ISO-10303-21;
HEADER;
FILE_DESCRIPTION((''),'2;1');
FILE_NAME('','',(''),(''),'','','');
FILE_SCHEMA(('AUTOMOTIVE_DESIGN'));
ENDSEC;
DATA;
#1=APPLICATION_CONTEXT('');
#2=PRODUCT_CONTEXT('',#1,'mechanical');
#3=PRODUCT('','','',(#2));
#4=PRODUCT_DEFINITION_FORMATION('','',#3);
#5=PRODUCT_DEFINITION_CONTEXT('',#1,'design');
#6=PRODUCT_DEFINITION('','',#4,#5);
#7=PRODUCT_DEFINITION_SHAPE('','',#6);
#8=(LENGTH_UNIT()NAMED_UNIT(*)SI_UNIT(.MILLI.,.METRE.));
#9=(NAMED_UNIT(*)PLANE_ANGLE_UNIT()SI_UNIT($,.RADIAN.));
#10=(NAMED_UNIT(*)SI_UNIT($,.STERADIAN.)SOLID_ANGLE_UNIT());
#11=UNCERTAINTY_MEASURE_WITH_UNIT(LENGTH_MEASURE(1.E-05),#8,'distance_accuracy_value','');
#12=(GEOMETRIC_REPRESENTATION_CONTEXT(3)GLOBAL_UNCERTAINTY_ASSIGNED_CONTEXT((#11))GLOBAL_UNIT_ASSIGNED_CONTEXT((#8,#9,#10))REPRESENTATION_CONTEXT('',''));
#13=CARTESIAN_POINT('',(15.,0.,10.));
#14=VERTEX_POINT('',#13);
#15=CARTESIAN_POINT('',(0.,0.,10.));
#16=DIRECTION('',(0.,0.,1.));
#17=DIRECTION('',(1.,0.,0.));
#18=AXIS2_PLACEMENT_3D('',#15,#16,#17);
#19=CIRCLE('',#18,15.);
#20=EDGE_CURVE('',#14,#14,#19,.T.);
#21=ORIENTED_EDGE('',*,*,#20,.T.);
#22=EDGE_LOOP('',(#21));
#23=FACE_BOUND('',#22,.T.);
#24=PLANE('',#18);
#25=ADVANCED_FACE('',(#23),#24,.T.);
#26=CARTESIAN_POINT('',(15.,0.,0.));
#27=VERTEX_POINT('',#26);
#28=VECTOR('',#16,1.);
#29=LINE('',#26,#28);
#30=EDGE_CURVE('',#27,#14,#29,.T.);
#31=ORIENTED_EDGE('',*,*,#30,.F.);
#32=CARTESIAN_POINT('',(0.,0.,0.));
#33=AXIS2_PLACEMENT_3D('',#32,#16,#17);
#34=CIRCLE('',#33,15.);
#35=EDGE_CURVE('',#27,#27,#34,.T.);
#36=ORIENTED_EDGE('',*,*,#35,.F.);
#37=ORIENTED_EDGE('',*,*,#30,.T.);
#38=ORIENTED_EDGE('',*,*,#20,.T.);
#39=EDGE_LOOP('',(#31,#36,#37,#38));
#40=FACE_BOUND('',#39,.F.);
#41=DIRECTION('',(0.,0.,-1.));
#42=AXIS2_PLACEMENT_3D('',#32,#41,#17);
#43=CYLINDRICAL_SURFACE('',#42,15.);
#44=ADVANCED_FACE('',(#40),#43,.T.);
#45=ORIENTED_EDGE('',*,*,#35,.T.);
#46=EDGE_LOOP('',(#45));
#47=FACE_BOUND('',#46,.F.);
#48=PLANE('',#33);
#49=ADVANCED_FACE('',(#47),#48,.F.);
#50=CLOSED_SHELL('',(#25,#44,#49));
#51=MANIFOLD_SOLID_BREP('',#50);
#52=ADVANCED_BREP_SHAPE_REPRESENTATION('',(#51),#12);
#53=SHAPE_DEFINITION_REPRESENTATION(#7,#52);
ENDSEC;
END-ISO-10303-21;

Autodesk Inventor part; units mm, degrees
ref_plane "YZ Plane" through (0, 0, 0) normal (1, 0, 0) x (0, 1, 0)
ref_plane "XZ Plane" through (0, 0, 0) normal (0, 1, 0) x (-1, 0, 0)
ref_plane "XY Plane" through (0, 0, 0) normal (0, 0, 1) x (1, 0, 0)
sketch "Sketch1" plane through (0, 0, 0) normal (0, 0, 1) x (1, 0, 0)
  circle A0 centre (0, 0) radius 44.45
  circle A1 centre (0, 0) radius 41.45
  circle A2 centre (0, 0) radius 600
  circle A3 centre (144.9387, 540.9185) radius 100
  circle A4 centre (-144.9387, 540.9185) radius 100
  circle A5 centre (-395.9798, 395.9798) radius 100
  circle A6 centre (-540.9185, 144.9387) radius 100
  circle A7 centre (-540.9185, -144.9387) radius 100
  circle A8 centre (-395.9798, -395.9798) radius 100
  circle A9 centre (-144.9387, -540.9185) radius 100
  circle A10 centre (144.9387, -540.9185) radius 100
  circle A11 centre (395.9798, -395.9798) radius 100
  circle A12 centre (540.9185, -144.9387) radius 100
  circle A13 centre (230, 398.3717) radius 100
  circle A14 centre (0, 460) radius 100
  circle A15 centre (-230, 398.3717) radius 100
  circle A16 centre (-398.3717, 230) radius 100
  circle A17 centre (-460, 0) radius 100
  circle A18 centre (-398.3717, -230) radius 100
  circle A19 centre (-230, -398.3717) radius 100
  circle A20 centre (0, -460) radius 100
  circle A21 centre (230, -398.3717) radius 100
  circle A22 centre (398.3717, -230) radius 100
  circle A23 centre (-212.132, 212.132) radius 100
  circle A24 centre (-289.7777, 77.6457) radius 100
  circle A25 centre (-289.7777, -77.6457) radius 100
  circle A26 centre (-212.132, -212.132) radius 100
  circle A27 centre (-77.6457, -289.7777) radius 100
  circle A28 centre (77.6457, -289.7777) radius 100
  circle A29 centre (212.132, -212.132) radius 100
  circle A30 centre (289.7777, -77.6457) radius 100
  circle A31 centre (98.9949, 98.9949) radius 100
  circle A32 centre (289.7777, 77.6457) radius 100
  circle A33 centre (212.132, 212.132) radius 100
  circle A34 centre (-98.9949, 98.9949) radius 100
  circle A35 centre (-98.9949, -98.9949) radius 100
  circle A36 centre (98.9949, -98.9949) radius 100
  circle A37 centre (460, 0) radius 100
  circle A38 centre (398.3717, 230) radius 100
  circle A39 centre (77.6457, 289.7777) radius 100
  circle A40 centre (-77.6457, 289.7777) radius 100
  circle A41 centre (540.9185, 144.9387) radius 100
  circle A42 centre (395.9798, 395.9798) radius 100
  line L0 (0, 0) -> (-600, 0) construction
  line L1 (0, 0) -> (-540.9185, 144.9387) construction
  line L2 (-460, 0) -> (0, 0) construction
  line L3 (0, 0) -> (-289.7777, -77.6457) construction
  line L4 (-98.9949, -98.9949) -> (0, 0) construction
  dimension "d2" = 1200
  dimension "d0" = 88.9
  dimension "d1" = 3
  dimension "d5" = 360
  dimension "d9" = 360
  dimension "d11" = 200
  dimension "d14" = 360
  dimension "d18" = 360
  dimension "d20" = 15
  dimension "d21" = 0
  dimension "d22" = 15
  dimension "d23" = 45
  dimension "d24" = 140
  dimension "d25" = 300
  dimension "d26" = 460
  dimension "d27" = 560
sketch "Sketch2" plane through (0, 0, 0) normal (0, 0, 1) x (1, 0, 0)
  point P0 (0, 0)
  point P1 (-98.9949, -98.9949)
  point P2 (98.9949, -98.9949)
  point P3 (98.9949, 98.9949)
  point P4 (-98.9949, 98.9949)
  point P5 (-77.6457, 289.7777)
  point P6 (77.6457, 289.7777)
  point P7 (212.132, 212.132)
  point P8 (289.7777, 77.6457)
  point P9 (289.7777, -77.6457)
  point P10 (212.132, -212.132)
  point P11 (77.6457, -289.7777)
  point P12 (-77.6457, -289.7777)
  point P13 (0, -460)
  point P14 (230, -398.3717)
  point P15 (144.9387, -540.9185)
  point P16 (395.9798, -395.9798)
  point P17 (398.3717, -230)
  point P18 (540.9185, -144.9387)
  point P19 (460, 0)
  point P20 (540.9185, 144.9387)
  point P21 (398.3717, 230)
  point P22 (395.9798, 395.9798)
  point P23 (230, 398.3717)
  point P24 (144.9387, 540.9185)
  point P25 (0, 460)
  point P26 (-144.9387, 540.9185)
  point P27 (-230, 398.3717)
  point P28 (-212.132, 212.132)
  point P29 (-289.7777, 77.6457)
  point P30 (-289.7777, -77.6457)
  point P31 (-212.132, -212.132)
  point P32 (-398.3717, 230)
  point P33 (-395.9798, 395.9798)
  point P34 (-540.9185, 144.9387)
  point P35 (-460, 0)
  point P36 (-540.9185, -144.9387)
  point P37 (-398.3717, -230)
  point P38 (-395.9798, -395.9798)
  point P39 (-230, -398.3717)
  point P40 (-144.9387, -540.9185)
sketch "Sketch3" plane through (0, 0, 0) normal (0, 0, 1) x (1, 0, 0)
  circle A0 centre (0, 0) radius 15
  dimension "d28" = 30
extrude "Extrusion1" add sketch "Sketch3" along normal blind 10
equation "\"MAIN_filter_diam\" = 1200"
equation "\"MAIN_hight\" = 2450"
equation "\"Accsess_hatch_lenght\" = 120"
equation "\"Accsess_hatch_diameter\" = 530"
equation "\"Charging_hatch_width\" = 400"
equation "\"Charging_hatch_hight\" = 180"
equation "\"Charging_hatch_lenght\" = 120"
properties part number "000 DIM PNS-Filter column D1200"
